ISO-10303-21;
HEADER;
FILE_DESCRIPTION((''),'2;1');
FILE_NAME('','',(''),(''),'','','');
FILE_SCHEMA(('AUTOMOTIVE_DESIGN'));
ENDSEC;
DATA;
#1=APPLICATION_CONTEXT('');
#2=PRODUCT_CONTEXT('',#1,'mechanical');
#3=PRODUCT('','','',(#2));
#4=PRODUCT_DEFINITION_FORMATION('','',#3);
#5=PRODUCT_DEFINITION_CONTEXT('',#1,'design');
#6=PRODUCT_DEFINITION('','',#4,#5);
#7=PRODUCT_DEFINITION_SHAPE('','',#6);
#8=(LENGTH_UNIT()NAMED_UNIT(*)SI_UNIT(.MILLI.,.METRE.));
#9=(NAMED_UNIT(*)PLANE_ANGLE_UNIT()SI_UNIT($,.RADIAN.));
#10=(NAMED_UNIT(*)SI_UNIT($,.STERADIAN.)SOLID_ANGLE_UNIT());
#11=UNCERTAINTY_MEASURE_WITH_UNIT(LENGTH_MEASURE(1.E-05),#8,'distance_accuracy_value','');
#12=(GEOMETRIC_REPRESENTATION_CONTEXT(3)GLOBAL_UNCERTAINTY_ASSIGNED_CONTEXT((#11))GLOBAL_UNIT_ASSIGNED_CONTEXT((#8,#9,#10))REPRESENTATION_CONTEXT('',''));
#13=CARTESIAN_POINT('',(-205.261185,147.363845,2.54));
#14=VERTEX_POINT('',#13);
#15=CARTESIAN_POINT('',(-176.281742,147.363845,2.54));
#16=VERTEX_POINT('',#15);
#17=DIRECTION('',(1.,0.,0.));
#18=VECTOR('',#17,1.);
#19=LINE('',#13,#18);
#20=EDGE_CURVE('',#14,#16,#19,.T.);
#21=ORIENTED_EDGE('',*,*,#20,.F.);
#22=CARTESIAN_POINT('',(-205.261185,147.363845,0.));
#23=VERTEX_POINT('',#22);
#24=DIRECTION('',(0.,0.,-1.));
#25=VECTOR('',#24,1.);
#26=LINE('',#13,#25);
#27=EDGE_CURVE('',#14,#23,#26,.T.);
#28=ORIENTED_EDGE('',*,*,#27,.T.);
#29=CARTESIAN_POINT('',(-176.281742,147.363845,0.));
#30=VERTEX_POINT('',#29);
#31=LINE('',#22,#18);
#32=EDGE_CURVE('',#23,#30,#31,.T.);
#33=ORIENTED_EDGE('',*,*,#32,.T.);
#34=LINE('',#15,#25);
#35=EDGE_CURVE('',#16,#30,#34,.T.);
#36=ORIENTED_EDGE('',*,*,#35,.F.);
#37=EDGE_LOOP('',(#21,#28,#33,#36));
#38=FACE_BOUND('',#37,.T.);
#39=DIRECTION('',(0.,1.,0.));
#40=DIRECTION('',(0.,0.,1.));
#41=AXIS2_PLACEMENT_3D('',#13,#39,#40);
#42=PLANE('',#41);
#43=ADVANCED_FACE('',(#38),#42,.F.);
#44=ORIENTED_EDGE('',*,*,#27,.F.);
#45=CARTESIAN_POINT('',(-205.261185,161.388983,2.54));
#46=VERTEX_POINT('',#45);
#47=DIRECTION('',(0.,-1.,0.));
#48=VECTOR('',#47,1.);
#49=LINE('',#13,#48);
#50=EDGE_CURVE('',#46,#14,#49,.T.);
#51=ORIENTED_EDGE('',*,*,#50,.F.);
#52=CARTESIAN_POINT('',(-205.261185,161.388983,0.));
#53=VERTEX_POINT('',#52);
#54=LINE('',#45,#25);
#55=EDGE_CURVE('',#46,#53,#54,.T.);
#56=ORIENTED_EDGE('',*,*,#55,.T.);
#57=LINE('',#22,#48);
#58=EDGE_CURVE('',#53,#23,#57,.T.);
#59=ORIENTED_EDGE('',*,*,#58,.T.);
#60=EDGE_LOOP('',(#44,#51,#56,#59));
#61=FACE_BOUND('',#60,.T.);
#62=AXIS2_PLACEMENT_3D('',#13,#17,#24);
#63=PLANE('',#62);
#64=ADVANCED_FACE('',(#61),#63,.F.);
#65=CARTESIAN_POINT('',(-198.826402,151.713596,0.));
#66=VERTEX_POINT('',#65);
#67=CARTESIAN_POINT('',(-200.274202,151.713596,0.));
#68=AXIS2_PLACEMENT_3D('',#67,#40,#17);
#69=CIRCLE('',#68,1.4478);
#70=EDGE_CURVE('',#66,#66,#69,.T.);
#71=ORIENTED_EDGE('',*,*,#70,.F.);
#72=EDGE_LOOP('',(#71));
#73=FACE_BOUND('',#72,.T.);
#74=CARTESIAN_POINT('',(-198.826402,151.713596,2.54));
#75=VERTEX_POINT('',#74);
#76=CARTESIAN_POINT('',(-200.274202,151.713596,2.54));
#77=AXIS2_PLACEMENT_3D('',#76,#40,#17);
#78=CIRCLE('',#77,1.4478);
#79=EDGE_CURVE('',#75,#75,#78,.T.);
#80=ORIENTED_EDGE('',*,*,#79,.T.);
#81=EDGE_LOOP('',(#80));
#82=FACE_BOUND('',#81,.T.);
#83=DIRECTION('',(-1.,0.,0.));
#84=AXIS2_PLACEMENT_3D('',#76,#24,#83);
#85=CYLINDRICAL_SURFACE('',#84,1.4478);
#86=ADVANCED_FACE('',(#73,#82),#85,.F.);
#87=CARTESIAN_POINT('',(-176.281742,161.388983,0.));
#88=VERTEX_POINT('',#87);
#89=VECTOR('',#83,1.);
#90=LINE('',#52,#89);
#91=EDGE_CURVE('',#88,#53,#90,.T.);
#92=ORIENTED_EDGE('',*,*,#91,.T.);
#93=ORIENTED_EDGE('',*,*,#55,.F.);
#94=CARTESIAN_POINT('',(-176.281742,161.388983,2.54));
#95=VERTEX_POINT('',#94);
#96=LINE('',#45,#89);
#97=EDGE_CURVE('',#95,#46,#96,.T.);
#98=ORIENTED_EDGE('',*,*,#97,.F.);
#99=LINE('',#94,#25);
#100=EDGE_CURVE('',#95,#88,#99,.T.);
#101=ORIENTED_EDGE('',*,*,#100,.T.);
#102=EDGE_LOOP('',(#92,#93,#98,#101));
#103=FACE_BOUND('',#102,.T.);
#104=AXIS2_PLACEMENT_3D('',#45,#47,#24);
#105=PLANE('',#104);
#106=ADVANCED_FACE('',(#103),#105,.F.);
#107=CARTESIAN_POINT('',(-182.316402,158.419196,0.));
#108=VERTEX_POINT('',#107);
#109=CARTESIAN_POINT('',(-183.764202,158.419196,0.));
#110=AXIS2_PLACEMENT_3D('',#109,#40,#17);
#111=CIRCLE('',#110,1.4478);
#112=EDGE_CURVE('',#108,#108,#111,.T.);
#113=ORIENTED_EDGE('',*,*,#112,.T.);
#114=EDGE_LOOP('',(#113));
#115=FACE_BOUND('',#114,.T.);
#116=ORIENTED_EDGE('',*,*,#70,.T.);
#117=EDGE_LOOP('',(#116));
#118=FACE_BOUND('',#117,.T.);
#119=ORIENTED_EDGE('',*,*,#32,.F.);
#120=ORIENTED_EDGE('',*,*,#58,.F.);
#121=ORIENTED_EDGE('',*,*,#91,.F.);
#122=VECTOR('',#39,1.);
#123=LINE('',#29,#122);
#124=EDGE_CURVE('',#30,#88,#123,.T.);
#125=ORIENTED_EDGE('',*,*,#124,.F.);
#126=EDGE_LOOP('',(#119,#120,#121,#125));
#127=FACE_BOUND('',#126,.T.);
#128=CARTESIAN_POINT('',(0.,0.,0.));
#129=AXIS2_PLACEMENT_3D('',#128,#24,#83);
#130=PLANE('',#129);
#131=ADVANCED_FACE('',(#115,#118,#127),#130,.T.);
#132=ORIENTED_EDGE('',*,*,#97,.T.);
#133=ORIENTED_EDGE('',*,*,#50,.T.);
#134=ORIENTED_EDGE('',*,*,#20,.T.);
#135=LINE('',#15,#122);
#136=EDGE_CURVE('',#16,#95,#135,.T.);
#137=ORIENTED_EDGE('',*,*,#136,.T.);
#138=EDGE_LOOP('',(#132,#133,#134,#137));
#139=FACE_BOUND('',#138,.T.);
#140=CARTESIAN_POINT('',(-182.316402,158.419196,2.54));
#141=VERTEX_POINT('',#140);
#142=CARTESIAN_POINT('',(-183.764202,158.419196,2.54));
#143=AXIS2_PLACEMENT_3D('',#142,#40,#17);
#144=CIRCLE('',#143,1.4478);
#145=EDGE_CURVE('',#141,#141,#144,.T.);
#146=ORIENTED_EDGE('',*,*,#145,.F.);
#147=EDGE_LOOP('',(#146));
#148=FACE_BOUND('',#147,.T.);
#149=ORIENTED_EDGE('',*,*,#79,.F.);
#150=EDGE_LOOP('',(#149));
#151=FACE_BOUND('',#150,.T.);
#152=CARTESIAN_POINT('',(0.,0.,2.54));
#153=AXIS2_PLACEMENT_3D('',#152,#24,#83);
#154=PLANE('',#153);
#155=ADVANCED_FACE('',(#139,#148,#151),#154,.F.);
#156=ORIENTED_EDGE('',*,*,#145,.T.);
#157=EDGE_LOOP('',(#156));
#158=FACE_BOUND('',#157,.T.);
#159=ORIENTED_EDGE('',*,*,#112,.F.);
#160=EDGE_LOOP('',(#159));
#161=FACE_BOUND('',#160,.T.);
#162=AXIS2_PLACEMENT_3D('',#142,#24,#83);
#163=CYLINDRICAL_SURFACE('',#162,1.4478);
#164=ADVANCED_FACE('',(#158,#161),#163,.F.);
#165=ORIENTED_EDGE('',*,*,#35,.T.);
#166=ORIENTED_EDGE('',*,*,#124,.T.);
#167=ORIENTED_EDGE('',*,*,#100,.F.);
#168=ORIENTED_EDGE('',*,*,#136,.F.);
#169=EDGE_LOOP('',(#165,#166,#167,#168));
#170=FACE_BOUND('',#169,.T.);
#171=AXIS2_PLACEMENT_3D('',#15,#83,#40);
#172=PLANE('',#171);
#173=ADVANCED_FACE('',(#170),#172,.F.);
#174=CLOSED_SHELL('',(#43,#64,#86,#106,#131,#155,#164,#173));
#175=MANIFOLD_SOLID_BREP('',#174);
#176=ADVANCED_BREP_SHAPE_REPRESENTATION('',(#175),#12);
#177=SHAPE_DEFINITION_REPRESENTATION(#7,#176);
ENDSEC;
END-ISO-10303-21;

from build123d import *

# Parameters (mm, degrees)
SKETCH1_W           = 28.979443015
SKETCH1_H           = 14.025138193
SKETCH1_R           = 1.4478
BOSS_EXTRUDE1_DEPTH = 2.54


with BuildPart() as part:
    # Sketch1 → Boss-Extrude1 (new body)
    with BuildSketch(Plane.XY):
        with Locations((-190.771463543, 154.376414259)):
            Rectangle(SKETCH1_W, SKETCH1_H)
        with Locations((-183.764201867, 158.419196183)):
            Circle(SKETCH1_R, mode=Mode.SUBTRACT)
        with Locations((-200.274201867, 151.713596183)):
            Circle(SKETCH1_R, mode=Mode.SUBTRACT)
    extrude(amount=BOSS_EXTRUDE1_DEPTH)


solid = part.part
